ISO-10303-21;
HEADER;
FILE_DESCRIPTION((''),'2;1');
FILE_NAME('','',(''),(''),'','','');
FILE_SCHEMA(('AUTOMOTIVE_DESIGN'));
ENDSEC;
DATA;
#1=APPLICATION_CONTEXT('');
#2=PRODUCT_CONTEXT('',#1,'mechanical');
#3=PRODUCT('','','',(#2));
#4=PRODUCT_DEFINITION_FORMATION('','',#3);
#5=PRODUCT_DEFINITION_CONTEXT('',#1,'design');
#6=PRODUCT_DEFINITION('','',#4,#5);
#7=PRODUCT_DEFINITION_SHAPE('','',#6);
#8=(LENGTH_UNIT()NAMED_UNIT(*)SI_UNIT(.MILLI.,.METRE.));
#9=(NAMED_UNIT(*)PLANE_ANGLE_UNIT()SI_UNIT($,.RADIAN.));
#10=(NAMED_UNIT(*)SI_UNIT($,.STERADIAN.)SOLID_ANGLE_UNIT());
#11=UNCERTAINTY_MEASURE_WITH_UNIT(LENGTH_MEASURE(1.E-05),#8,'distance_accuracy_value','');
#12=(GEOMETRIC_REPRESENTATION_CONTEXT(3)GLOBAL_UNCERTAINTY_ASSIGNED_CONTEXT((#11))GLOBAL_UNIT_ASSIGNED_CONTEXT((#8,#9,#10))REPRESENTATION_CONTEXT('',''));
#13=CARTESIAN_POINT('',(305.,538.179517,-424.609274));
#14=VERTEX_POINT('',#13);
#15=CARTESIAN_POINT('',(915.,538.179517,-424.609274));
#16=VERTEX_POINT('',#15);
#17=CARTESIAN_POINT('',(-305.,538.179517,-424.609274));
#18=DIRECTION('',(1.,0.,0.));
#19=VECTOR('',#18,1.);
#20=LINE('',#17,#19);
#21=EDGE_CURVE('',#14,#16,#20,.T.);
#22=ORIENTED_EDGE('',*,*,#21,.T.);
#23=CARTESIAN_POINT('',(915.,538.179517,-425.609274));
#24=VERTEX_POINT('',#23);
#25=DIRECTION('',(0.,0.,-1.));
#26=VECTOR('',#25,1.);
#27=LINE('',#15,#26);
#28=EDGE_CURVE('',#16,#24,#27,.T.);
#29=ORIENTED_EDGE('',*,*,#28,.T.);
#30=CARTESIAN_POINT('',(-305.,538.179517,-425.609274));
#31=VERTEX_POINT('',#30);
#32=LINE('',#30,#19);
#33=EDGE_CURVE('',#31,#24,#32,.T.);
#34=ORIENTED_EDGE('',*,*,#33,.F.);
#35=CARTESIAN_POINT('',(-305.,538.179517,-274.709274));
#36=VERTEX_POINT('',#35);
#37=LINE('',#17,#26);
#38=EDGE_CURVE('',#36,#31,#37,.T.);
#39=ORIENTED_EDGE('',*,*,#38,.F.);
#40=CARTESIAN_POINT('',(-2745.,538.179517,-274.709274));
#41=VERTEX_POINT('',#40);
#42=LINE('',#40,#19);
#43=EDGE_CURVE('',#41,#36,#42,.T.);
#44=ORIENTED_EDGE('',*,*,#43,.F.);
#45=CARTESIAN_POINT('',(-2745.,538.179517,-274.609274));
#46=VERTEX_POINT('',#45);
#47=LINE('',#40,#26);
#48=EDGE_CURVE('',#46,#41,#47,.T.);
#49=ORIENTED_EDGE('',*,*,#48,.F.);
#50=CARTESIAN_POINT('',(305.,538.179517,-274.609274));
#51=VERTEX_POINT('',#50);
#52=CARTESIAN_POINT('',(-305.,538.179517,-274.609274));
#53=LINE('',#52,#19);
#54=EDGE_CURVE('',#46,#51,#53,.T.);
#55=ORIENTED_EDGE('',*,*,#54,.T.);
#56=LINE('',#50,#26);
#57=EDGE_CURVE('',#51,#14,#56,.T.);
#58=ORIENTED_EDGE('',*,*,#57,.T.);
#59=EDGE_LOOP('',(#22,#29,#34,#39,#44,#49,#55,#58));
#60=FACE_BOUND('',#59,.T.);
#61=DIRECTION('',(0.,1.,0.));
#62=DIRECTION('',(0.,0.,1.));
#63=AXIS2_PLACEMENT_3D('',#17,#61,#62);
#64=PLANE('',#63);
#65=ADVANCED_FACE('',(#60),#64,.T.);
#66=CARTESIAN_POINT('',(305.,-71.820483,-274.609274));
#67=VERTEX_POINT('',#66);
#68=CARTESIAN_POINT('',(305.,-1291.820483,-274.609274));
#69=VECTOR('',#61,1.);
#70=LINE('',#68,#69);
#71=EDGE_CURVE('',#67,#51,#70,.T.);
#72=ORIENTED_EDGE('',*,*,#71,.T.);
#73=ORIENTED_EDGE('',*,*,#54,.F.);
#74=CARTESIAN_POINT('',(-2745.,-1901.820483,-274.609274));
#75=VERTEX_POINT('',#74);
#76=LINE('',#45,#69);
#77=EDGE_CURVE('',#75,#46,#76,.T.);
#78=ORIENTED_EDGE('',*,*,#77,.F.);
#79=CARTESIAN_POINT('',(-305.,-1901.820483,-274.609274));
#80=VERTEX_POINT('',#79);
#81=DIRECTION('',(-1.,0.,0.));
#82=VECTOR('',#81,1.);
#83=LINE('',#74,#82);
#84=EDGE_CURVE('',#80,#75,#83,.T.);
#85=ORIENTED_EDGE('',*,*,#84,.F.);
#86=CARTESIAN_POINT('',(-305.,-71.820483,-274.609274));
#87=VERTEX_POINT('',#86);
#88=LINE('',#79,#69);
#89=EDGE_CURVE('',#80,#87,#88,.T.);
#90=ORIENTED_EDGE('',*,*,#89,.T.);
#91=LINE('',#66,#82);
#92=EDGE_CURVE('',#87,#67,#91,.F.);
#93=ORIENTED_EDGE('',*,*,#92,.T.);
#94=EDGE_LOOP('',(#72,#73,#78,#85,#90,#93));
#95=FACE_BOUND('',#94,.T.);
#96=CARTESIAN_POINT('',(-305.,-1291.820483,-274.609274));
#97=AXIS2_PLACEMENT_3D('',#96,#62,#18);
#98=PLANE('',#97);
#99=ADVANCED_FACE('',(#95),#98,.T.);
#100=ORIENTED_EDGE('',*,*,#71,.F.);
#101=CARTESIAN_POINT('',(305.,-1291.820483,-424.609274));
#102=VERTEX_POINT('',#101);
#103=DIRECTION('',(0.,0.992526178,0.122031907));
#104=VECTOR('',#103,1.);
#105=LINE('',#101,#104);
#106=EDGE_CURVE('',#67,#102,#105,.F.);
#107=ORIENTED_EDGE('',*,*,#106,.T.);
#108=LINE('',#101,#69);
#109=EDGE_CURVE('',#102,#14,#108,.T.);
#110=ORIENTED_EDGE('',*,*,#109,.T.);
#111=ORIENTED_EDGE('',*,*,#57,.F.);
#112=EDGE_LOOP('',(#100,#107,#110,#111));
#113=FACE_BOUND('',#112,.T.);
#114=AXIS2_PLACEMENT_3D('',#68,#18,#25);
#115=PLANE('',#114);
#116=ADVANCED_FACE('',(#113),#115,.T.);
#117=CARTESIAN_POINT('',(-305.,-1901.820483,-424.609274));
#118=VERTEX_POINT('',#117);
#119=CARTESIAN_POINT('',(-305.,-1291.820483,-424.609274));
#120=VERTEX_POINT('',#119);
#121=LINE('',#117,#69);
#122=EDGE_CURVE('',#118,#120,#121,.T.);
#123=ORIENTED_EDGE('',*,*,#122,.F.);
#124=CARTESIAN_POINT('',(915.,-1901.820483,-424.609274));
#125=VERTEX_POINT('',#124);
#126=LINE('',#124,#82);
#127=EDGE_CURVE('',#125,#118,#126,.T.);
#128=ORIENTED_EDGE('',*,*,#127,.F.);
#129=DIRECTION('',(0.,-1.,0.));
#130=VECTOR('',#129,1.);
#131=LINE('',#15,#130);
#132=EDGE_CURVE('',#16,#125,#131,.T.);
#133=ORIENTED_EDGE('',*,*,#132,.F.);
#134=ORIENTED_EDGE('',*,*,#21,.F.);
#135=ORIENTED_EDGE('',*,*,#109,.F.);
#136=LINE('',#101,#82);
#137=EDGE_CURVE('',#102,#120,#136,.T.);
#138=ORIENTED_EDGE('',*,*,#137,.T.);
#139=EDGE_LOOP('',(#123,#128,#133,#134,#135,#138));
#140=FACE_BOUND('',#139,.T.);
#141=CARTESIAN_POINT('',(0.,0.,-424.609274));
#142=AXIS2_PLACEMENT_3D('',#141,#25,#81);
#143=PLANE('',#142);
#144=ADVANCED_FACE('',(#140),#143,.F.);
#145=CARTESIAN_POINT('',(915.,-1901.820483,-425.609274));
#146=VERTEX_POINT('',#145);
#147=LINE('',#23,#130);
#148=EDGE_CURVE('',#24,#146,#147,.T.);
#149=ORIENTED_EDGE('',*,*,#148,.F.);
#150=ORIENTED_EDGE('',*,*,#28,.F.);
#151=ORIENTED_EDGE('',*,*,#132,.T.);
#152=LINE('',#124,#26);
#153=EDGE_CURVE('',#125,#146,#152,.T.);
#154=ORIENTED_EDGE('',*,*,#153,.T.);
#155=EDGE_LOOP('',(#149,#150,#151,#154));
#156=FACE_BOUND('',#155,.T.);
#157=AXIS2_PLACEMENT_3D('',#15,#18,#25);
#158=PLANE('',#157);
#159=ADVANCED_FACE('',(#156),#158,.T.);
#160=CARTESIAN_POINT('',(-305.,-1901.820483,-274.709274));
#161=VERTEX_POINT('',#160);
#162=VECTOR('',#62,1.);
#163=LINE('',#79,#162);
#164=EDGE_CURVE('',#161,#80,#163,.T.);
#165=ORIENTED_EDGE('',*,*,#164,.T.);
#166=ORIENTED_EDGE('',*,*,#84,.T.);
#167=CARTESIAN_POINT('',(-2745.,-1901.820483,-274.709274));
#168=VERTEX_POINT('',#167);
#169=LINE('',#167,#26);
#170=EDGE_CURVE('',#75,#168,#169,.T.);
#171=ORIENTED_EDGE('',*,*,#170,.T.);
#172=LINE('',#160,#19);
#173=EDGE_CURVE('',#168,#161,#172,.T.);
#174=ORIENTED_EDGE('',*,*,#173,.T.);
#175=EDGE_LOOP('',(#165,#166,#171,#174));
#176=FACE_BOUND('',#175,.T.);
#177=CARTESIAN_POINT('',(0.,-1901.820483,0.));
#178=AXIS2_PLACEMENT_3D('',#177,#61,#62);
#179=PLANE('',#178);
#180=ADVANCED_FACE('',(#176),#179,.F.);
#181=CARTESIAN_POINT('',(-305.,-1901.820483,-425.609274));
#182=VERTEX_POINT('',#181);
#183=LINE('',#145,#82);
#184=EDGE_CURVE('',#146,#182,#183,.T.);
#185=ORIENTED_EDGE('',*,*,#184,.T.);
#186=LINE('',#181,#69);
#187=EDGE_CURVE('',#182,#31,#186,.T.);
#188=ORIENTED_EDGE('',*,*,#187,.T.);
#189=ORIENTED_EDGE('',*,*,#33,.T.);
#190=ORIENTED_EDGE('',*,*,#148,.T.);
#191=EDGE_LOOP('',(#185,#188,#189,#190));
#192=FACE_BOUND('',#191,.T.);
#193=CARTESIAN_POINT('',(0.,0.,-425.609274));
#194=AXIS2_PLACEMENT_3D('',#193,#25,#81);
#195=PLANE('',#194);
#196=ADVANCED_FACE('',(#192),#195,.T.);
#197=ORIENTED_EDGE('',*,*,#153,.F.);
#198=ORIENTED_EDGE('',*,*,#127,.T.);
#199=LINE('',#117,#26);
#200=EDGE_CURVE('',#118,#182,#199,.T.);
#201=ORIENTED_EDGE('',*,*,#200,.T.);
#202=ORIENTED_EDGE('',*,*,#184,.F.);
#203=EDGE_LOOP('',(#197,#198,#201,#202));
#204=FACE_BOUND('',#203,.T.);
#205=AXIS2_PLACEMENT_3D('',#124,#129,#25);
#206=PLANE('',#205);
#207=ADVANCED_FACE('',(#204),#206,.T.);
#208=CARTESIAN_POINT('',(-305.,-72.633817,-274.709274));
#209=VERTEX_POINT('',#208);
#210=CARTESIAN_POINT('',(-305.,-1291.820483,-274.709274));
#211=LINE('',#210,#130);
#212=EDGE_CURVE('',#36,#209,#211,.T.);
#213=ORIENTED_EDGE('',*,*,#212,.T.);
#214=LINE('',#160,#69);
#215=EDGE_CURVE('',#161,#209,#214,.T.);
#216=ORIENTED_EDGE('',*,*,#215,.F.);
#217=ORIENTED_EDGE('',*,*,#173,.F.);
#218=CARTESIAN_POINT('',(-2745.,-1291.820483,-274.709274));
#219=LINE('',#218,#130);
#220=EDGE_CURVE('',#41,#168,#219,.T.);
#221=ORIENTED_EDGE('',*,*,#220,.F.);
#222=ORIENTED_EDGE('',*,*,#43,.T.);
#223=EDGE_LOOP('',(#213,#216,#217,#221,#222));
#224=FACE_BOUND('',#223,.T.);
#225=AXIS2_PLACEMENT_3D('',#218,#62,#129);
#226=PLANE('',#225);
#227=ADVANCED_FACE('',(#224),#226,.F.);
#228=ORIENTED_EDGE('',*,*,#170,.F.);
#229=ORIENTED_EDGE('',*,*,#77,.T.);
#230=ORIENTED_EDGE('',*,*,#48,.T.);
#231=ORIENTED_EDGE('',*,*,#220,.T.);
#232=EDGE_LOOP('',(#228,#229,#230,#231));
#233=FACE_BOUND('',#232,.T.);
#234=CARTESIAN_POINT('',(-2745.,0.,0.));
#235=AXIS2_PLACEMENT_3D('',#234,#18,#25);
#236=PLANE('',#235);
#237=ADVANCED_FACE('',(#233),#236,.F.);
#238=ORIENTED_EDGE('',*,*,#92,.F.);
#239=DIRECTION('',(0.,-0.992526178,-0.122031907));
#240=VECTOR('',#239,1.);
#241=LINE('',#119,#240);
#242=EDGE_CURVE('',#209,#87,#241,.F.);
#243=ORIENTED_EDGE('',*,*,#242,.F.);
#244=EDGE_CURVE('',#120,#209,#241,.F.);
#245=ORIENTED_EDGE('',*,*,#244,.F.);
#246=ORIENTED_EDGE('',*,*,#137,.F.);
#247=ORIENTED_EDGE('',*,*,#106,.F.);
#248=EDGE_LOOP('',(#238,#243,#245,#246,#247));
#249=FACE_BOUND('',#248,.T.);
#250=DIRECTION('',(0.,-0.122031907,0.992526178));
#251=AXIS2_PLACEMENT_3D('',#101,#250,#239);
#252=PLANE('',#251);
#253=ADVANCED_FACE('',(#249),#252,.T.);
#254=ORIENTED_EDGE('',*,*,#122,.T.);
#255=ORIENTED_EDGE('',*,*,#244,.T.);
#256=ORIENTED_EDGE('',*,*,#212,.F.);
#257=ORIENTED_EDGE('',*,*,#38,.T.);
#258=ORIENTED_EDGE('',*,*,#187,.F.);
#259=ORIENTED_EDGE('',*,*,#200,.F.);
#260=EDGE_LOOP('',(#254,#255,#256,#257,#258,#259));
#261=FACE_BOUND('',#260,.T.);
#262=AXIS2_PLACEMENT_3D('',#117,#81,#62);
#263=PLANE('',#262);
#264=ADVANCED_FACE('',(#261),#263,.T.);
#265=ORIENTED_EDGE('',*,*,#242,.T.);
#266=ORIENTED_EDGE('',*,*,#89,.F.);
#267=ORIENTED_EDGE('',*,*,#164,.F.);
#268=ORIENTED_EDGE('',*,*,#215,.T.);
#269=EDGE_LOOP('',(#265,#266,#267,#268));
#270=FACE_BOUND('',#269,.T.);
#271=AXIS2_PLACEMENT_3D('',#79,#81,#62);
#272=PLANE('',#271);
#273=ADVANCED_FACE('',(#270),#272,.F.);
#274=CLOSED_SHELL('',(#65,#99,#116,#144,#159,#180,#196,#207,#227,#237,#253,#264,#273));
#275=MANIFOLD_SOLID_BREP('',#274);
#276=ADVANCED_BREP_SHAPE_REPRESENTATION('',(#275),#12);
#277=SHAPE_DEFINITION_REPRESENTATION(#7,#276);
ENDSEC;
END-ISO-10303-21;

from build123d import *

# Parameters (mm, degrees)
SKETCH1_W           = 1220
SKETCH1_H           = 2440
BOSS_EXTRUDE1_DEPTH = 1
SKETCH2_W           = 610
SKETCH2_H           = 150
BOSS_EXTRUDE2_DEPTH = 1830
SKETCH3_W           = 0.1
SKETCH3_H           = 1830
BOSS_EXTRUDE3_DEPTH = 2440
SKETCH4_W           = 2440
SKETCH4_H           = 0.1
BOSS_EXTRUDE4_DEPTH = 610
DRAFT1_ANGLE        = 82.990615743


with BuildPart() as part:
    # Sketch1 → Boss-Extrude1 (new body)
    with BuildSketch(Plane(origin=(0, 0, -425.609273672), x_dir=(-1, 0, 0), z_dir=(0, 0, -1))):
        with Locations((-305, -681.820483208)):
            Rectangle(SKETCH1_W, SKETCH1_H)
    extrude(amount=-BOSS_EXTRUDE1_DEPTH)

    # Sketch2 → Boss-Extrude2 (add)
    with BuildSketch(Plane(origin=(0, 538.179516792, 0), x_dir=(1, 0, 0), z_dir=(0, 1, 0))):
        with Locations((0, 349.609273672)):
            Rectangle(SKETCH2_W, SKETCH2_H)
    extrude(amount=-BOSS_EXTRUDE2_DEPTH)

    # Sketch3 → Boss-Extrude3 (add)
    with BuildSketch(Plane.ZY.offset(305)):
        with Locations((-274.659273672, -376.820483208)):
            Rectangle(SKETCH3_W, SKETCH3_H)
    extrude(amount=BOSS_EXTRUDE3_DEPTH)

    # Sketch4 → Boss-Extrude4 (add)
    with BuildSketch(Plane.XZ.offset(1291.820483208)):
        with Locations((-1525, -274.659273672)):
            Rectangle(SKETCH4_W, SKETCH4_H)
    extrude(amount=BOSS_EXTRUDE4_DEPTH)

    # Draft1
    draft1_faces = [part.faces().sort_by_distance(p)[0] for p in [
        (0, -1291.820483208, -349.609273672),
    ]]
    draft(draft1_faces, Plane.XY.offset(-424.609273672), DRAFT1_ANGLE)


solid = part.part
